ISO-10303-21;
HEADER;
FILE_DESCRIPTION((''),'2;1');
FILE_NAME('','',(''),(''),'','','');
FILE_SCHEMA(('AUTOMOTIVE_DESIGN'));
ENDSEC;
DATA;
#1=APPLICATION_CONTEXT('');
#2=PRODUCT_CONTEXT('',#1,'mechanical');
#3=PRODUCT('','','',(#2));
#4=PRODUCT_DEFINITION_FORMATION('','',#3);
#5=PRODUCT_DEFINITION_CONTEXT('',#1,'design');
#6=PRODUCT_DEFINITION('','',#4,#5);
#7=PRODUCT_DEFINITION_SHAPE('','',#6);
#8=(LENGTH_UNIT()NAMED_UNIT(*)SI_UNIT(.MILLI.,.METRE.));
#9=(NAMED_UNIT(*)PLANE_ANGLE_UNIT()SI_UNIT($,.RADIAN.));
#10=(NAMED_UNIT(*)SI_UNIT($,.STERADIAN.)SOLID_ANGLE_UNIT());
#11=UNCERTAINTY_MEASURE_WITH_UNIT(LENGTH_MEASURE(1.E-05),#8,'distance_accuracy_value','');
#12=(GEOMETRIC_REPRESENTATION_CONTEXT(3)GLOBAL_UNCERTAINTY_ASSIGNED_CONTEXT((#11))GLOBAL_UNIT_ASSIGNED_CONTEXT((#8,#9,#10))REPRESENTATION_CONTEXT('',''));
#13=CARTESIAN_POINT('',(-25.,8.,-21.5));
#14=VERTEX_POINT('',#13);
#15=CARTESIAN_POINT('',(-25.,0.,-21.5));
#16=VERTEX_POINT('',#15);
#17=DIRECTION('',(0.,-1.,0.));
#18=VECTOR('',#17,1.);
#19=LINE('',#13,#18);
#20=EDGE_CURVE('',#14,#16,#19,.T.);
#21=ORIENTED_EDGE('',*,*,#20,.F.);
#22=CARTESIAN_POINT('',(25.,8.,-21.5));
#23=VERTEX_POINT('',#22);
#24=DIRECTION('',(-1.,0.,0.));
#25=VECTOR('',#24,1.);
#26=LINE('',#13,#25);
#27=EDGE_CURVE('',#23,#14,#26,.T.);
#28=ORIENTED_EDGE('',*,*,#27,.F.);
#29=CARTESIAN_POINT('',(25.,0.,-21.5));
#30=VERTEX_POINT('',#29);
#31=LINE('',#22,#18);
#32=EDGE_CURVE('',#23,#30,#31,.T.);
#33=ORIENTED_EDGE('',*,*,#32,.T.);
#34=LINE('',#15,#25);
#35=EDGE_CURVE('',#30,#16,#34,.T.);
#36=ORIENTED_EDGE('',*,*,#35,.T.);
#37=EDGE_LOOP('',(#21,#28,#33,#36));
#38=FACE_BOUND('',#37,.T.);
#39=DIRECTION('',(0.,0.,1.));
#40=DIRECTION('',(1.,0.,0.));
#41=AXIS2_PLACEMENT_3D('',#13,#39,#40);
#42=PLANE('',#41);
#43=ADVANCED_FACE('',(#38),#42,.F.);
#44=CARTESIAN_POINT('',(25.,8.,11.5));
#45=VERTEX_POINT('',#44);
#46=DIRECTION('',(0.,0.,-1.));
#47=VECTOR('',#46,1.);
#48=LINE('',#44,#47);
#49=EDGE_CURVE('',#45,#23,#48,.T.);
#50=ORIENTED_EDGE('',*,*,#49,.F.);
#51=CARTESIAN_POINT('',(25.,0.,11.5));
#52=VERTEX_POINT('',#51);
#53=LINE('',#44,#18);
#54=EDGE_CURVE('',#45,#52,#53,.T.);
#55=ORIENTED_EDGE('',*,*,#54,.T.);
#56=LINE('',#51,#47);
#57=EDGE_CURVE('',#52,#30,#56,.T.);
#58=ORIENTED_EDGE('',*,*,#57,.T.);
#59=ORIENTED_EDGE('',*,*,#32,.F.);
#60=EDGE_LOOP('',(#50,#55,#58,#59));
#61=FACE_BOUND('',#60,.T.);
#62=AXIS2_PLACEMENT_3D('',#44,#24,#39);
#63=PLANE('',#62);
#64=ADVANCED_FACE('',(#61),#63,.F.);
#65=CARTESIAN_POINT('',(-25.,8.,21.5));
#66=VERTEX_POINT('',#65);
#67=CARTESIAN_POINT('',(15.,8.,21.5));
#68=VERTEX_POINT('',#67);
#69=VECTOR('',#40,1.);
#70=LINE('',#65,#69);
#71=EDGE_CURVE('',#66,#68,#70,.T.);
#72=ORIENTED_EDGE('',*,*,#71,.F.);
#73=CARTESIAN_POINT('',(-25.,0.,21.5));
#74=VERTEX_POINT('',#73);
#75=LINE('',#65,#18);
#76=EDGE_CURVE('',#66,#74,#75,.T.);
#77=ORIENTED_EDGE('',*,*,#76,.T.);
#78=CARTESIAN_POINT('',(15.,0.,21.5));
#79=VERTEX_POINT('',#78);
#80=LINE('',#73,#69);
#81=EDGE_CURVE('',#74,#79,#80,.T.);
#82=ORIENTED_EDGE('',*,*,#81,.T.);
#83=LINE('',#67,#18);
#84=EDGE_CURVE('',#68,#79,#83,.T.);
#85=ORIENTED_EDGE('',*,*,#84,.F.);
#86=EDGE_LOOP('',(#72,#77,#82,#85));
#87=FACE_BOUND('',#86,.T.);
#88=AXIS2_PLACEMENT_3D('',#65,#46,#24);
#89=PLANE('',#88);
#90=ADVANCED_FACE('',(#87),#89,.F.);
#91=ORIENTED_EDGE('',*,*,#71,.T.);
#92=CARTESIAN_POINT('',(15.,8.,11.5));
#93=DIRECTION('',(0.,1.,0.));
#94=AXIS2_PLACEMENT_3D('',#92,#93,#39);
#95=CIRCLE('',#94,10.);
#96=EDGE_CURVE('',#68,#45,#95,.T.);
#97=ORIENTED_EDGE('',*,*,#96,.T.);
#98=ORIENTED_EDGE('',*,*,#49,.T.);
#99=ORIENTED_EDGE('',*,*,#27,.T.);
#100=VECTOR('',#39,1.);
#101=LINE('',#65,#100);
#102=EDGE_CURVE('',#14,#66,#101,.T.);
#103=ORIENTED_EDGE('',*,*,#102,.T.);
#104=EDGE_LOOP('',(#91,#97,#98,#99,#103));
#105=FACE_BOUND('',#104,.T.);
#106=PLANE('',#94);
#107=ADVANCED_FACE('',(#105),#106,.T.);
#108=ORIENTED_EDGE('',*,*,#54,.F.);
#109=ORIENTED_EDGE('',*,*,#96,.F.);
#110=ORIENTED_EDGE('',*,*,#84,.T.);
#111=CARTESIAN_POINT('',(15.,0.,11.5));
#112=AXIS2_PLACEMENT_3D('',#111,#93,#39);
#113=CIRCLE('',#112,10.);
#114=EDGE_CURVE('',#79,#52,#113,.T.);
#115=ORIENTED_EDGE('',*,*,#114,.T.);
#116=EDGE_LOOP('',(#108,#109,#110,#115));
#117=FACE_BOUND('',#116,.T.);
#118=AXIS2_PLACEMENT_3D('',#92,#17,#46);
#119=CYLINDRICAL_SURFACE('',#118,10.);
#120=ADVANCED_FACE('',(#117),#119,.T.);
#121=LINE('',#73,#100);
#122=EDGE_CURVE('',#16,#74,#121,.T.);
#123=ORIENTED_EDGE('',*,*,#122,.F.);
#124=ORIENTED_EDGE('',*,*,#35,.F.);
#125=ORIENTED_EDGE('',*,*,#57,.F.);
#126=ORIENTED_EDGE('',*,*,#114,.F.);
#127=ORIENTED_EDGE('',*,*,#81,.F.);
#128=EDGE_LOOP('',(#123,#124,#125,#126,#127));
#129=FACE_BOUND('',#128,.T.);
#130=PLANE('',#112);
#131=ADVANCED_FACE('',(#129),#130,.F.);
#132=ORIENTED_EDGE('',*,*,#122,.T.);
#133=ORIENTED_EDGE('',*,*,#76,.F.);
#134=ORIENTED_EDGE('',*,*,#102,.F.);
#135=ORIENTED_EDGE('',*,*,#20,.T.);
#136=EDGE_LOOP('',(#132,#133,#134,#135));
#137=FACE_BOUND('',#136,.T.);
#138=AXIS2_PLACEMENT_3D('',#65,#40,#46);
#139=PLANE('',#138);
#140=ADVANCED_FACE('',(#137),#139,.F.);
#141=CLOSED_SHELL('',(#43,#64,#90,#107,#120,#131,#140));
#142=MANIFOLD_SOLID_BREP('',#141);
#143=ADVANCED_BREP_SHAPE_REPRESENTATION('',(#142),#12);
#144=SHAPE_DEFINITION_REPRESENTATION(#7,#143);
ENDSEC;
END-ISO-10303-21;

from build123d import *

# Parameters (mm, degrees)
EXTRUDE_1_DEPTH = 8


with BuildPart() as part:
    # Эскиз1 → Бобышка-Вытянуть1 (new body)
    with BuildSketch(Plane(origin=(0, 0, 0), x_dir=(1, 0, 0), z_dir=(0, 1, 0))):
        with BuildLine():
            Line((-25, -21.5), (15, -21.5))
            ThreePointArc((15, -21.5), (22.071067812, -18.571067812), (25, -11.5))
            Line((25, -11.5), (25, 21.5))
            Line((25, 21.5), (-25, 21.5))
            Line((-25, 21.5), (-25, -21.5))
        make_face()
    extrude(amount=EXTRUDE_1_DEPTH)


solid = part.part
